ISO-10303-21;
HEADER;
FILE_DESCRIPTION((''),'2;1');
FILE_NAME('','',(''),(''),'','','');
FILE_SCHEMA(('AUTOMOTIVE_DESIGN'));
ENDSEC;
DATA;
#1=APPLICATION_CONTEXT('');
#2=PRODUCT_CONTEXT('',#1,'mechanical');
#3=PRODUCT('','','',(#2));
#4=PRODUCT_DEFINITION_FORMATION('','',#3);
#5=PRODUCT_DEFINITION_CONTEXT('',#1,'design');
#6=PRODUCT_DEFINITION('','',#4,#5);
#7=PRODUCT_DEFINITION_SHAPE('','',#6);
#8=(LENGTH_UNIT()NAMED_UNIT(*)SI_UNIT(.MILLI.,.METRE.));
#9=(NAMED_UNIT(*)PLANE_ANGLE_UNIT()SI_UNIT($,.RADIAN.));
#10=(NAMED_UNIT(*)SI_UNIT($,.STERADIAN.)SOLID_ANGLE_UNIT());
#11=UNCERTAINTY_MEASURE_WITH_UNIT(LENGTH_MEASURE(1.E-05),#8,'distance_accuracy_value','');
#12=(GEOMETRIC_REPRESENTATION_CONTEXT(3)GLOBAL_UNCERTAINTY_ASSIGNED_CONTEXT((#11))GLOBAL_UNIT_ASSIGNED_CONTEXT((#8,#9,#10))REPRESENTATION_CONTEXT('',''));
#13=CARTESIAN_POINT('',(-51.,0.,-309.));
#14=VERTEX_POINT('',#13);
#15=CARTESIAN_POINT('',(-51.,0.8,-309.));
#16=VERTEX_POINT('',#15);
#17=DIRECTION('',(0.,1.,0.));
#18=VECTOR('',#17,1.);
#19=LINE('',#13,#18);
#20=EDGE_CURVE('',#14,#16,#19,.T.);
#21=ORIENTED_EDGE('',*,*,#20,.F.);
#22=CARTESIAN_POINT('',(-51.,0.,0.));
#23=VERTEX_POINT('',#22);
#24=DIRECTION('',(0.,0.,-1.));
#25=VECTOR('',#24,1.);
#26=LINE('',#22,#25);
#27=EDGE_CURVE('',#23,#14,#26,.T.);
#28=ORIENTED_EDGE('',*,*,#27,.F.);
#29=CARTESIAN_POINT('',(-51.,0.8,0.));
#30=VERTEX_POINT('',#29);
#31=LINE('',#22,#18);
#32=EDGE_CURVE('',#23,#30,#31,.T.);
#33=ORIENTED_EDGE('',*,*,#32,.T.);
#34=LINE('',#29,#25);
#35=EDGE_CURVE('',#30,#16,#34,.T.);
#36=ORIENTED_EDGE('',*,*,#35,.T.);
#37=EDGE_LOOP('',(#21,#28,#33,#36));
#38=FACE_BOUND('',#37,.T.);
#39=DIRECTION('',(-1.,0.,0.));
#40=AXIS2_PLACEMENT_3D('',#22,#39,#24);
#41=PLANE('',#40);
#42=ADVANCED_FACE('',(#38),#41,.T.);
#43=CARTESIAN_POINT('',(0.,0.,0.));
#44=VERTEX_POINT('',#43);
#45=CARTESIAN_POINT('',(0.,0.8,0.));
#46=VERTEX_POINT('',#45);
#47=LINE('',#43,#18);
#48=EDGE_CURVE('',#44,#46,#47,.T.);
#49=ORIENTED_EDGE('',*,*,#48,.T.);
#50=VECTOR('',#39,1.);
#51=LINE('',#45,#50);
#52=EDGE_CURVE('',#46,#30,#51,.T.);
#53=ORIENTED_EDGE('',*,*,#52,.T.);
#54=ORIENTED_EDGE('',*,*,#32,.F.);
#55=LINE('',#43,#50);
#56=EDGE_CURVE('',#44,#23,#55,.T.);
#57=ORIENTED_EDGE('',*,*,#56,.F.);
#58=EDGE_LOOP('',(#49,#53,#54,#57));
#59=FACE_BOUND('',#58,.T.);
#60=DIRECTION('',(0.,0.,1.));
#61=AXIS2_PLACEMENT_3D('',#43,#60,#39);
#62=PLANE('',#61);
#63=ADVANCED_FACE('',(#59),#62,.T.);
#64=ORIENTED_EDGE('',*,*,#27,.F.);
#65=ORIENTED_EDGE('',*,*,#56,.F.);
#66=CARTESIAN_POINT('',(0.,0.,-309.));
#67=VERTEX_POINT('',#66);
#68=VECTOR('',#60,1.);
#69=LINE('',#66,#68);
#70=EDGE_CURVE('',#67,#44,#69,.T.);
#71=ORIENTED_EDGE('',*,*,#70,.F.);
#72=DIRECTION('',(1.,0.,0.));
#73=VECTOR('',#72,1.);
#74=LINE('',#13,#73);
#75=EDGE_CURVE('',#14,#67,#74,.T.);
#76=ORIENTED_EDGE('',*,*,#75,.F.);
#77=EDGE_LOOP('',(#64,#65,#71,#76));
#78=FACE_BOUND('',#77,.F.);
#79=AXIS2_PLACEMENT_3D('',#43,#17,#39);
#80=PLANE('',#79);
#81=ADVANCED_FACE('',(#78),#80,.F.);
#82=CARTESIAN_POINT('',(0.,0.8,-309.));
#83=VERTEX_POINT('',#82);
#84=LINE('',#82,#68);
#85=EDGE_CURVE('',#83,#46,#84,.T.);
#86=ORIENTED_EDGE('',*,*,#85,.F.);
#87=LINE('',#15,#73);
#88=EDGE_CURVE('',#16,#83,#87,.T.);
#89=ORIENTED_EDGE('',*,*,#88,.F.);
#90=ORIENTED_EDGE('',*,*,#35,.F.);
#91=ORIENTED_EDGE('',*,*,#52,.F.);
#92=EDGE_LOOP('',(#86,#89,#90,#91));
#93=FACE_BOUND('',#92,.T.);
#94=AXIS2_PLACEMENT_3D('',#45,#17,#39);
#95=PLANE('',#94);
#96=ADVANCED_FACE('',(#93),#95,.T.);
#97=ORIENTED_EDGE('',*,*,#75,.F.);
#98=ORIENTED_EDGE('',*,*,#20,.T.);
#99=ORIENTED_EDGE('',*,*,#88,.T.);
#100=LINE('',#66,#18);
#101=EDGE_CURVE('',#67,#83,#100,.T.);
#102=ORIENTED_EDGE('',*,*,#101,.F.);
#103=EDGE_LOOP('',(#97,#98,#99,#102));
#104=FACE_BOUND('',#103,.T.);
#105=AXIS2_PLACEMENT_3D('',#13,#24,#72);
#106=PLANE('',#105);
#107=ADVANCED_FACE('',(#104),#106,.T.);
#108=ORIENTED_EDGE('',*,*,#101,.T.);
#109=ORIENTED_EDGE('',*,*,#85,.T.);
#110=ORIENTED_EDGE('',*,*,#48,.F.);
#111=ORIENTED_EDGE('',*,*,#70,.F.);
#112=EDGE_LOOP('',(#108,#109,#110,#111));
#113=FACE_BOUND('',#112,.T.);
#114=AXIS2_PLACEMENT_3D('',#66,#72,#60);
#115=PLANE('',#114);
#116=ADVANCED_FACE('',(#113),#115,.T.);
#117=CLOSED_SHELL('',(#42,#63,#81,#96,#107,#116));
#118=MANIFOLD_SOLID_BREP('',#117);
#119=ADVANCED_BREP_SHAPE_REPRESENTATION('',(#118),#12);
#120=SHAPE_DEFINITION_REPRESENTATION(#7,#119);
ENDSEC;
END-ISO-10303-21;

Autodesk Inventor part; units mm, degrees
ref_plane "YZ Plane" through (0, 0, 0) normal (1, 0, 0) x (0, 1, 0)
ref_plane "XZ Plane" through (0, 0, 0) normal (0, 1, 0) x (-1, 0, 0)
ref_plane "XY Plane" through (0, 0, 0) normal (0, 0, 1) x (1, 0, 0)
sketch "Sketch1" plane through (0, 0, 0) normal (0, 1, 0) x (-1, 0, 0)
  line L0 (0, 0) -> (51, 0)
  line L1 (51, 0) -> (51, -309)
  line L2 (51, -309) -> (0, -309)
  line L3 (0, -309) -> (0, 0)
  dimension "d0" = 51
  dimension "d1" = 309
extrude "Extrusion1" add sketch "Sketch1" along normal blind 0.8
properties part number "side_case_v2"
